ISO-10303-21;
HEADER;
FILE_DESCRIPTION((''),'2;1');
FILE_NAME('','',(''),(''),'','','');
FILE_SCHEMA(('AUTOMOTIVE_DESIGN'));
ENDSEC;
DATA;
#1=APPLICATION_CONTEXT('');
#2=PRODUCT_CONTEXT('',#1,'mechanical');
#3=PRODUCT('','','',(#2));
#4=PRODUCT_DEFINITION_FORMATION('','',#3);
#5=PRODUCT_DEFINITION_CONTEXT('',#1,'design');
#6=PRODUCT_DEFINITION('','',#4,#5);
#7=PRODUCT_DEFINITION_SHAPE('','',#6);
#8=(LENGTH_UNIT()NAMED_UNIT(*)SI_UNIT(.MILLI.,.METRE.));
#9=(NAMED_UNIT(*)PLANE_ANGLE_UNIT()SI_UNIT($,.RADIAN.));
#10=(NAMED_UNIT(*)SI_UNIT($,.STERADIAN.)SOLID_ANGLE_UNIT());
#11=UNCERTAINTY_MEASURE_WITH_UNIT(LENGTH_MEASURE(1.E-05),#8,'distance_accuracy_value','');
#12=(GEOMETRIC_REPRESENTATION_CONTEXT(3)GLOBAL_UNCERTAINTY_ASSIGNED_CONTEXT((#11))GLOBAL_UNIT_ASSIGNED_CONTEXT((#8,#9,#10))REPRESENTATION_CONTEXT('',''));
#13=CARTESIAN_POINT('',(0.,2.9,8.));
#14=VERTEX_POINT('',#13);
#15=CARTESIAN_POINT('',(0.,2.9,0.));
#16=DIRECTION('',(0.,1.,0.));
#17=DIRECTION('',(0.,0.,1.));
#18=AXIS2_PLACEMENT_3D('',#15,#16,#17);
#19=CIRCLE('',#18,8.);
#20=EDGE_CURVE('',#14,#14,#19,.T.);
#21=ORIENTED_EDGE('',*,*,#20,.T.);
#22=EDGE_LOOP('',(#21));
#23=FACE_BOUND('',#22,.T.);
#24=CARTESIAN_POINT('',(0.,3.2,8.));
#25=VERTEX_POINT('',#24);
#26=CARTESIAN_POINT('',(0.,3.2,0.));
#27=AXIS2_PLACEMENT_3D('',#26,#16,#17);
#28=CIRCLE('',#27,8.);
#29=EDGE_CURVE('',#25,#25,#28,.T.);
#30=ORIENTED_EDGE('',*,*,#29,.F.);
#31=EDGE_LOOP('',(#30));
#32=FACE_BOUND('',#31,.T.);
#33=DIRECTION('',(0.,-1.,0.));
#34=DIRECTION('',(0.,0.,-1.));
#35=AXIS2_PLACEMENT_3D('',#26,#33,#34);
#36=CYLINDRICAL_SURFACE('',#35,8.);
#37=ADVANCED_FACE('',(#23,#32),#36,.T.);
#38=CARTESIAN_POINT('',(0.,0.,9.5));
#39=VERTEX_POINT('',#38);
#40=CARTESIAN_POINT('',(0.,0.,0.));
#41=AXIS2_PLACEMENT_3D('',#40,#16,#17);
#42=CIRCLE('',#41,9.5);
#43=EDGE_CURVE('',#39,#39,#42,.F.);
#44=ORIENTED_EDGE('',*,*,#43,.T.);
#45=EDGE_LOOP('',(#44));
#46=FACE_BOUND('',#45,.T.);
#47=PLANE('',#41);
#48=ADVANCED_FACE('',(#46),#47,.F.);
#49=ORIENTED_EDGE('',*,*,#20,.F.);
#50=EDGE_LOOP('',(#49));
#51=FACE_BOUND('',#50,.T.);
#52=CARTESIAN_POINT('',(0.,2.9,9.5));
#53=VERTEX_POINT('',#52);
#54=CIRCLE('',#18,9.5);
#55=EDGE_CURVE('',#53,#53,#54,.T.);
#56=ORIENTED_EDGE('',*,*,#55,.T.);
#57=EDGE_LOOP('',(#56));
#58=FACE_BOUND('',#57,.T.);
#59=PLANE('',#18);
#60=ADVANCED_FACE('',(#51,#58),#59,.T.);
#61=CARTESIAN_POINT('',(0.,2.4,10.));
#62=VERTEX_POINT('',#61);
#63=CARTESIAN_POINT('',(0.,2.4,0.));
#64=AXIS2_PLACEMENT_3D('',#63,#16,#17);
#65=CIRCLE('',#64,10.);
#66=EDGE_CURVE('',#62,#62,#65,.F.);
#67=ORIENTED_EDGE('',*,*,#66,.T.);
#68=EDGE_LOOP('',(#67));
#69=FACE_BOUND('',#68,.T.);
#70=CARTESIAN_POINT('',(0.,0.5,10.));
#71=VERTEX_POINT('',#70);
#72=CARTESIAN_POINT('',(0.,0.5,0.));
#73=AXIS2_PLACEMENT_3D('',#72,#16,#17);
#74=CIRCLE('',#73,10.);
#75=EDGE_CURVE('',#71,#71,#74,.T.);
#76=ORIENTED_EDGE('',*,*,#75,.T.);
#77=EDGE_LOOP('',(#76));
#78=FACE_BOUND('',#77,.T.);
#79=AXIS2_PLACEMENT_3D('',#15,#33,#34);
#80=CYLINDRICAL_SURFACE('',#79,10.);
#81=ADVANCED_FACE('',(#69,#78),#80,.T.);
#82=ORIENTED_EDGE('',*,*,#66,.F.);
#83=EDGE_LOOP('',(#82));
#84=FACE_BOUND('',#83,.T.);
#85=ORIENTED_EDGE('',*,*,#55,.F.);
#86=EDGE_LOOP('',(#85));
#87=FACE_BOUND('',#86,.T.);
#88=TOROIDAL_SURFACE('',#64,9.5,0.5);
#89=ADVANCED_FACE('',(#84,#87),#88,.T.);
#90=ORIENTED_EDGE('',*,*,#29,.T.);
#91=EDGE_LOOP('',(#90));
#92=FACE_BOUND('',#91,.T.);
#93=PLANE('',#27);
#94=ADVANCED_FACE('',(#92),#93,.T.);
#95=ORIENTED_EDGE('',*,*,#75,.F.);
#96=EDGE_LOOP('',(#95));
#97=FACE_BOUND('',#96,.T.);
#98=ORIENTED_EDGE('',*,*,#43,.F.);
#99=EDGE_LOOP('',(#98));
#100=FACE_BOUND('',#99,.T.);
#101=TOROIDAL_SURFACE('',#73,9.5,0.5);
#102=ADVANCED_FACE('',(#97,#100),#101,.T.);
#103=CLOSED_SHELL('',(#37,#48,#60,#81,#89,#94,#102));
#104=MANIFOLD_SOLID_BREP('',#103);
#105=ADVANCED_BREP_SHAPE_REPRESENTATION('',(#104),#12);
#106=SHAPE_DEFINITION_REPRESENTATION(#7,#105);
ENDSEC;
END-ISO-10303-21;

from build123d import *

# Parameters (mm, degrees)
SKETCH1_R           = 10
BOSS_EXTRUDE1_DEPTH = 2.9
SKETCH2_R           = 8
BOSS_EXTRUDE2_DEPTH = 0.3
FILLET1_R           = 0.5


with BuildPart() as part:
    # Sketch1 → Boss-Extrude1 (new body)
    with BuildSketch(Plane(origin=(0, 0, 0), x_dir=(1, 0, 0), z_dir=(0, 1, 0))):
        with Locations(Location((0, 0, 0), (0, 0, 270))):
            Circle(SKETCH1_R)
    extrude(amount=BOSS_EXTRUDE1_DEPTH)

    # Sketch2 → Boss-Extrude2 (add)
    with BuildSketch(Plane(origin=(0, 2.9, 0), x_dir=(1, 0, 0), z_dir=(0, 1, 0))):
        with Locations(Location((0, 0, 0), (0, 0, 270))):
            Circle(SKETCH2_R)
    extrude(amount=BOSS_EXTRUDE2_DEPTH)

    # Fillet1
    fillet1_edges = [part.edges().sort_by_distance(p)[0] for p in [
        (0, 0, -10),
        (0, 2.9, -10),
    ]]
    fillet(fillet1_edges, radius=FILLET1_R)


solid = part.part
